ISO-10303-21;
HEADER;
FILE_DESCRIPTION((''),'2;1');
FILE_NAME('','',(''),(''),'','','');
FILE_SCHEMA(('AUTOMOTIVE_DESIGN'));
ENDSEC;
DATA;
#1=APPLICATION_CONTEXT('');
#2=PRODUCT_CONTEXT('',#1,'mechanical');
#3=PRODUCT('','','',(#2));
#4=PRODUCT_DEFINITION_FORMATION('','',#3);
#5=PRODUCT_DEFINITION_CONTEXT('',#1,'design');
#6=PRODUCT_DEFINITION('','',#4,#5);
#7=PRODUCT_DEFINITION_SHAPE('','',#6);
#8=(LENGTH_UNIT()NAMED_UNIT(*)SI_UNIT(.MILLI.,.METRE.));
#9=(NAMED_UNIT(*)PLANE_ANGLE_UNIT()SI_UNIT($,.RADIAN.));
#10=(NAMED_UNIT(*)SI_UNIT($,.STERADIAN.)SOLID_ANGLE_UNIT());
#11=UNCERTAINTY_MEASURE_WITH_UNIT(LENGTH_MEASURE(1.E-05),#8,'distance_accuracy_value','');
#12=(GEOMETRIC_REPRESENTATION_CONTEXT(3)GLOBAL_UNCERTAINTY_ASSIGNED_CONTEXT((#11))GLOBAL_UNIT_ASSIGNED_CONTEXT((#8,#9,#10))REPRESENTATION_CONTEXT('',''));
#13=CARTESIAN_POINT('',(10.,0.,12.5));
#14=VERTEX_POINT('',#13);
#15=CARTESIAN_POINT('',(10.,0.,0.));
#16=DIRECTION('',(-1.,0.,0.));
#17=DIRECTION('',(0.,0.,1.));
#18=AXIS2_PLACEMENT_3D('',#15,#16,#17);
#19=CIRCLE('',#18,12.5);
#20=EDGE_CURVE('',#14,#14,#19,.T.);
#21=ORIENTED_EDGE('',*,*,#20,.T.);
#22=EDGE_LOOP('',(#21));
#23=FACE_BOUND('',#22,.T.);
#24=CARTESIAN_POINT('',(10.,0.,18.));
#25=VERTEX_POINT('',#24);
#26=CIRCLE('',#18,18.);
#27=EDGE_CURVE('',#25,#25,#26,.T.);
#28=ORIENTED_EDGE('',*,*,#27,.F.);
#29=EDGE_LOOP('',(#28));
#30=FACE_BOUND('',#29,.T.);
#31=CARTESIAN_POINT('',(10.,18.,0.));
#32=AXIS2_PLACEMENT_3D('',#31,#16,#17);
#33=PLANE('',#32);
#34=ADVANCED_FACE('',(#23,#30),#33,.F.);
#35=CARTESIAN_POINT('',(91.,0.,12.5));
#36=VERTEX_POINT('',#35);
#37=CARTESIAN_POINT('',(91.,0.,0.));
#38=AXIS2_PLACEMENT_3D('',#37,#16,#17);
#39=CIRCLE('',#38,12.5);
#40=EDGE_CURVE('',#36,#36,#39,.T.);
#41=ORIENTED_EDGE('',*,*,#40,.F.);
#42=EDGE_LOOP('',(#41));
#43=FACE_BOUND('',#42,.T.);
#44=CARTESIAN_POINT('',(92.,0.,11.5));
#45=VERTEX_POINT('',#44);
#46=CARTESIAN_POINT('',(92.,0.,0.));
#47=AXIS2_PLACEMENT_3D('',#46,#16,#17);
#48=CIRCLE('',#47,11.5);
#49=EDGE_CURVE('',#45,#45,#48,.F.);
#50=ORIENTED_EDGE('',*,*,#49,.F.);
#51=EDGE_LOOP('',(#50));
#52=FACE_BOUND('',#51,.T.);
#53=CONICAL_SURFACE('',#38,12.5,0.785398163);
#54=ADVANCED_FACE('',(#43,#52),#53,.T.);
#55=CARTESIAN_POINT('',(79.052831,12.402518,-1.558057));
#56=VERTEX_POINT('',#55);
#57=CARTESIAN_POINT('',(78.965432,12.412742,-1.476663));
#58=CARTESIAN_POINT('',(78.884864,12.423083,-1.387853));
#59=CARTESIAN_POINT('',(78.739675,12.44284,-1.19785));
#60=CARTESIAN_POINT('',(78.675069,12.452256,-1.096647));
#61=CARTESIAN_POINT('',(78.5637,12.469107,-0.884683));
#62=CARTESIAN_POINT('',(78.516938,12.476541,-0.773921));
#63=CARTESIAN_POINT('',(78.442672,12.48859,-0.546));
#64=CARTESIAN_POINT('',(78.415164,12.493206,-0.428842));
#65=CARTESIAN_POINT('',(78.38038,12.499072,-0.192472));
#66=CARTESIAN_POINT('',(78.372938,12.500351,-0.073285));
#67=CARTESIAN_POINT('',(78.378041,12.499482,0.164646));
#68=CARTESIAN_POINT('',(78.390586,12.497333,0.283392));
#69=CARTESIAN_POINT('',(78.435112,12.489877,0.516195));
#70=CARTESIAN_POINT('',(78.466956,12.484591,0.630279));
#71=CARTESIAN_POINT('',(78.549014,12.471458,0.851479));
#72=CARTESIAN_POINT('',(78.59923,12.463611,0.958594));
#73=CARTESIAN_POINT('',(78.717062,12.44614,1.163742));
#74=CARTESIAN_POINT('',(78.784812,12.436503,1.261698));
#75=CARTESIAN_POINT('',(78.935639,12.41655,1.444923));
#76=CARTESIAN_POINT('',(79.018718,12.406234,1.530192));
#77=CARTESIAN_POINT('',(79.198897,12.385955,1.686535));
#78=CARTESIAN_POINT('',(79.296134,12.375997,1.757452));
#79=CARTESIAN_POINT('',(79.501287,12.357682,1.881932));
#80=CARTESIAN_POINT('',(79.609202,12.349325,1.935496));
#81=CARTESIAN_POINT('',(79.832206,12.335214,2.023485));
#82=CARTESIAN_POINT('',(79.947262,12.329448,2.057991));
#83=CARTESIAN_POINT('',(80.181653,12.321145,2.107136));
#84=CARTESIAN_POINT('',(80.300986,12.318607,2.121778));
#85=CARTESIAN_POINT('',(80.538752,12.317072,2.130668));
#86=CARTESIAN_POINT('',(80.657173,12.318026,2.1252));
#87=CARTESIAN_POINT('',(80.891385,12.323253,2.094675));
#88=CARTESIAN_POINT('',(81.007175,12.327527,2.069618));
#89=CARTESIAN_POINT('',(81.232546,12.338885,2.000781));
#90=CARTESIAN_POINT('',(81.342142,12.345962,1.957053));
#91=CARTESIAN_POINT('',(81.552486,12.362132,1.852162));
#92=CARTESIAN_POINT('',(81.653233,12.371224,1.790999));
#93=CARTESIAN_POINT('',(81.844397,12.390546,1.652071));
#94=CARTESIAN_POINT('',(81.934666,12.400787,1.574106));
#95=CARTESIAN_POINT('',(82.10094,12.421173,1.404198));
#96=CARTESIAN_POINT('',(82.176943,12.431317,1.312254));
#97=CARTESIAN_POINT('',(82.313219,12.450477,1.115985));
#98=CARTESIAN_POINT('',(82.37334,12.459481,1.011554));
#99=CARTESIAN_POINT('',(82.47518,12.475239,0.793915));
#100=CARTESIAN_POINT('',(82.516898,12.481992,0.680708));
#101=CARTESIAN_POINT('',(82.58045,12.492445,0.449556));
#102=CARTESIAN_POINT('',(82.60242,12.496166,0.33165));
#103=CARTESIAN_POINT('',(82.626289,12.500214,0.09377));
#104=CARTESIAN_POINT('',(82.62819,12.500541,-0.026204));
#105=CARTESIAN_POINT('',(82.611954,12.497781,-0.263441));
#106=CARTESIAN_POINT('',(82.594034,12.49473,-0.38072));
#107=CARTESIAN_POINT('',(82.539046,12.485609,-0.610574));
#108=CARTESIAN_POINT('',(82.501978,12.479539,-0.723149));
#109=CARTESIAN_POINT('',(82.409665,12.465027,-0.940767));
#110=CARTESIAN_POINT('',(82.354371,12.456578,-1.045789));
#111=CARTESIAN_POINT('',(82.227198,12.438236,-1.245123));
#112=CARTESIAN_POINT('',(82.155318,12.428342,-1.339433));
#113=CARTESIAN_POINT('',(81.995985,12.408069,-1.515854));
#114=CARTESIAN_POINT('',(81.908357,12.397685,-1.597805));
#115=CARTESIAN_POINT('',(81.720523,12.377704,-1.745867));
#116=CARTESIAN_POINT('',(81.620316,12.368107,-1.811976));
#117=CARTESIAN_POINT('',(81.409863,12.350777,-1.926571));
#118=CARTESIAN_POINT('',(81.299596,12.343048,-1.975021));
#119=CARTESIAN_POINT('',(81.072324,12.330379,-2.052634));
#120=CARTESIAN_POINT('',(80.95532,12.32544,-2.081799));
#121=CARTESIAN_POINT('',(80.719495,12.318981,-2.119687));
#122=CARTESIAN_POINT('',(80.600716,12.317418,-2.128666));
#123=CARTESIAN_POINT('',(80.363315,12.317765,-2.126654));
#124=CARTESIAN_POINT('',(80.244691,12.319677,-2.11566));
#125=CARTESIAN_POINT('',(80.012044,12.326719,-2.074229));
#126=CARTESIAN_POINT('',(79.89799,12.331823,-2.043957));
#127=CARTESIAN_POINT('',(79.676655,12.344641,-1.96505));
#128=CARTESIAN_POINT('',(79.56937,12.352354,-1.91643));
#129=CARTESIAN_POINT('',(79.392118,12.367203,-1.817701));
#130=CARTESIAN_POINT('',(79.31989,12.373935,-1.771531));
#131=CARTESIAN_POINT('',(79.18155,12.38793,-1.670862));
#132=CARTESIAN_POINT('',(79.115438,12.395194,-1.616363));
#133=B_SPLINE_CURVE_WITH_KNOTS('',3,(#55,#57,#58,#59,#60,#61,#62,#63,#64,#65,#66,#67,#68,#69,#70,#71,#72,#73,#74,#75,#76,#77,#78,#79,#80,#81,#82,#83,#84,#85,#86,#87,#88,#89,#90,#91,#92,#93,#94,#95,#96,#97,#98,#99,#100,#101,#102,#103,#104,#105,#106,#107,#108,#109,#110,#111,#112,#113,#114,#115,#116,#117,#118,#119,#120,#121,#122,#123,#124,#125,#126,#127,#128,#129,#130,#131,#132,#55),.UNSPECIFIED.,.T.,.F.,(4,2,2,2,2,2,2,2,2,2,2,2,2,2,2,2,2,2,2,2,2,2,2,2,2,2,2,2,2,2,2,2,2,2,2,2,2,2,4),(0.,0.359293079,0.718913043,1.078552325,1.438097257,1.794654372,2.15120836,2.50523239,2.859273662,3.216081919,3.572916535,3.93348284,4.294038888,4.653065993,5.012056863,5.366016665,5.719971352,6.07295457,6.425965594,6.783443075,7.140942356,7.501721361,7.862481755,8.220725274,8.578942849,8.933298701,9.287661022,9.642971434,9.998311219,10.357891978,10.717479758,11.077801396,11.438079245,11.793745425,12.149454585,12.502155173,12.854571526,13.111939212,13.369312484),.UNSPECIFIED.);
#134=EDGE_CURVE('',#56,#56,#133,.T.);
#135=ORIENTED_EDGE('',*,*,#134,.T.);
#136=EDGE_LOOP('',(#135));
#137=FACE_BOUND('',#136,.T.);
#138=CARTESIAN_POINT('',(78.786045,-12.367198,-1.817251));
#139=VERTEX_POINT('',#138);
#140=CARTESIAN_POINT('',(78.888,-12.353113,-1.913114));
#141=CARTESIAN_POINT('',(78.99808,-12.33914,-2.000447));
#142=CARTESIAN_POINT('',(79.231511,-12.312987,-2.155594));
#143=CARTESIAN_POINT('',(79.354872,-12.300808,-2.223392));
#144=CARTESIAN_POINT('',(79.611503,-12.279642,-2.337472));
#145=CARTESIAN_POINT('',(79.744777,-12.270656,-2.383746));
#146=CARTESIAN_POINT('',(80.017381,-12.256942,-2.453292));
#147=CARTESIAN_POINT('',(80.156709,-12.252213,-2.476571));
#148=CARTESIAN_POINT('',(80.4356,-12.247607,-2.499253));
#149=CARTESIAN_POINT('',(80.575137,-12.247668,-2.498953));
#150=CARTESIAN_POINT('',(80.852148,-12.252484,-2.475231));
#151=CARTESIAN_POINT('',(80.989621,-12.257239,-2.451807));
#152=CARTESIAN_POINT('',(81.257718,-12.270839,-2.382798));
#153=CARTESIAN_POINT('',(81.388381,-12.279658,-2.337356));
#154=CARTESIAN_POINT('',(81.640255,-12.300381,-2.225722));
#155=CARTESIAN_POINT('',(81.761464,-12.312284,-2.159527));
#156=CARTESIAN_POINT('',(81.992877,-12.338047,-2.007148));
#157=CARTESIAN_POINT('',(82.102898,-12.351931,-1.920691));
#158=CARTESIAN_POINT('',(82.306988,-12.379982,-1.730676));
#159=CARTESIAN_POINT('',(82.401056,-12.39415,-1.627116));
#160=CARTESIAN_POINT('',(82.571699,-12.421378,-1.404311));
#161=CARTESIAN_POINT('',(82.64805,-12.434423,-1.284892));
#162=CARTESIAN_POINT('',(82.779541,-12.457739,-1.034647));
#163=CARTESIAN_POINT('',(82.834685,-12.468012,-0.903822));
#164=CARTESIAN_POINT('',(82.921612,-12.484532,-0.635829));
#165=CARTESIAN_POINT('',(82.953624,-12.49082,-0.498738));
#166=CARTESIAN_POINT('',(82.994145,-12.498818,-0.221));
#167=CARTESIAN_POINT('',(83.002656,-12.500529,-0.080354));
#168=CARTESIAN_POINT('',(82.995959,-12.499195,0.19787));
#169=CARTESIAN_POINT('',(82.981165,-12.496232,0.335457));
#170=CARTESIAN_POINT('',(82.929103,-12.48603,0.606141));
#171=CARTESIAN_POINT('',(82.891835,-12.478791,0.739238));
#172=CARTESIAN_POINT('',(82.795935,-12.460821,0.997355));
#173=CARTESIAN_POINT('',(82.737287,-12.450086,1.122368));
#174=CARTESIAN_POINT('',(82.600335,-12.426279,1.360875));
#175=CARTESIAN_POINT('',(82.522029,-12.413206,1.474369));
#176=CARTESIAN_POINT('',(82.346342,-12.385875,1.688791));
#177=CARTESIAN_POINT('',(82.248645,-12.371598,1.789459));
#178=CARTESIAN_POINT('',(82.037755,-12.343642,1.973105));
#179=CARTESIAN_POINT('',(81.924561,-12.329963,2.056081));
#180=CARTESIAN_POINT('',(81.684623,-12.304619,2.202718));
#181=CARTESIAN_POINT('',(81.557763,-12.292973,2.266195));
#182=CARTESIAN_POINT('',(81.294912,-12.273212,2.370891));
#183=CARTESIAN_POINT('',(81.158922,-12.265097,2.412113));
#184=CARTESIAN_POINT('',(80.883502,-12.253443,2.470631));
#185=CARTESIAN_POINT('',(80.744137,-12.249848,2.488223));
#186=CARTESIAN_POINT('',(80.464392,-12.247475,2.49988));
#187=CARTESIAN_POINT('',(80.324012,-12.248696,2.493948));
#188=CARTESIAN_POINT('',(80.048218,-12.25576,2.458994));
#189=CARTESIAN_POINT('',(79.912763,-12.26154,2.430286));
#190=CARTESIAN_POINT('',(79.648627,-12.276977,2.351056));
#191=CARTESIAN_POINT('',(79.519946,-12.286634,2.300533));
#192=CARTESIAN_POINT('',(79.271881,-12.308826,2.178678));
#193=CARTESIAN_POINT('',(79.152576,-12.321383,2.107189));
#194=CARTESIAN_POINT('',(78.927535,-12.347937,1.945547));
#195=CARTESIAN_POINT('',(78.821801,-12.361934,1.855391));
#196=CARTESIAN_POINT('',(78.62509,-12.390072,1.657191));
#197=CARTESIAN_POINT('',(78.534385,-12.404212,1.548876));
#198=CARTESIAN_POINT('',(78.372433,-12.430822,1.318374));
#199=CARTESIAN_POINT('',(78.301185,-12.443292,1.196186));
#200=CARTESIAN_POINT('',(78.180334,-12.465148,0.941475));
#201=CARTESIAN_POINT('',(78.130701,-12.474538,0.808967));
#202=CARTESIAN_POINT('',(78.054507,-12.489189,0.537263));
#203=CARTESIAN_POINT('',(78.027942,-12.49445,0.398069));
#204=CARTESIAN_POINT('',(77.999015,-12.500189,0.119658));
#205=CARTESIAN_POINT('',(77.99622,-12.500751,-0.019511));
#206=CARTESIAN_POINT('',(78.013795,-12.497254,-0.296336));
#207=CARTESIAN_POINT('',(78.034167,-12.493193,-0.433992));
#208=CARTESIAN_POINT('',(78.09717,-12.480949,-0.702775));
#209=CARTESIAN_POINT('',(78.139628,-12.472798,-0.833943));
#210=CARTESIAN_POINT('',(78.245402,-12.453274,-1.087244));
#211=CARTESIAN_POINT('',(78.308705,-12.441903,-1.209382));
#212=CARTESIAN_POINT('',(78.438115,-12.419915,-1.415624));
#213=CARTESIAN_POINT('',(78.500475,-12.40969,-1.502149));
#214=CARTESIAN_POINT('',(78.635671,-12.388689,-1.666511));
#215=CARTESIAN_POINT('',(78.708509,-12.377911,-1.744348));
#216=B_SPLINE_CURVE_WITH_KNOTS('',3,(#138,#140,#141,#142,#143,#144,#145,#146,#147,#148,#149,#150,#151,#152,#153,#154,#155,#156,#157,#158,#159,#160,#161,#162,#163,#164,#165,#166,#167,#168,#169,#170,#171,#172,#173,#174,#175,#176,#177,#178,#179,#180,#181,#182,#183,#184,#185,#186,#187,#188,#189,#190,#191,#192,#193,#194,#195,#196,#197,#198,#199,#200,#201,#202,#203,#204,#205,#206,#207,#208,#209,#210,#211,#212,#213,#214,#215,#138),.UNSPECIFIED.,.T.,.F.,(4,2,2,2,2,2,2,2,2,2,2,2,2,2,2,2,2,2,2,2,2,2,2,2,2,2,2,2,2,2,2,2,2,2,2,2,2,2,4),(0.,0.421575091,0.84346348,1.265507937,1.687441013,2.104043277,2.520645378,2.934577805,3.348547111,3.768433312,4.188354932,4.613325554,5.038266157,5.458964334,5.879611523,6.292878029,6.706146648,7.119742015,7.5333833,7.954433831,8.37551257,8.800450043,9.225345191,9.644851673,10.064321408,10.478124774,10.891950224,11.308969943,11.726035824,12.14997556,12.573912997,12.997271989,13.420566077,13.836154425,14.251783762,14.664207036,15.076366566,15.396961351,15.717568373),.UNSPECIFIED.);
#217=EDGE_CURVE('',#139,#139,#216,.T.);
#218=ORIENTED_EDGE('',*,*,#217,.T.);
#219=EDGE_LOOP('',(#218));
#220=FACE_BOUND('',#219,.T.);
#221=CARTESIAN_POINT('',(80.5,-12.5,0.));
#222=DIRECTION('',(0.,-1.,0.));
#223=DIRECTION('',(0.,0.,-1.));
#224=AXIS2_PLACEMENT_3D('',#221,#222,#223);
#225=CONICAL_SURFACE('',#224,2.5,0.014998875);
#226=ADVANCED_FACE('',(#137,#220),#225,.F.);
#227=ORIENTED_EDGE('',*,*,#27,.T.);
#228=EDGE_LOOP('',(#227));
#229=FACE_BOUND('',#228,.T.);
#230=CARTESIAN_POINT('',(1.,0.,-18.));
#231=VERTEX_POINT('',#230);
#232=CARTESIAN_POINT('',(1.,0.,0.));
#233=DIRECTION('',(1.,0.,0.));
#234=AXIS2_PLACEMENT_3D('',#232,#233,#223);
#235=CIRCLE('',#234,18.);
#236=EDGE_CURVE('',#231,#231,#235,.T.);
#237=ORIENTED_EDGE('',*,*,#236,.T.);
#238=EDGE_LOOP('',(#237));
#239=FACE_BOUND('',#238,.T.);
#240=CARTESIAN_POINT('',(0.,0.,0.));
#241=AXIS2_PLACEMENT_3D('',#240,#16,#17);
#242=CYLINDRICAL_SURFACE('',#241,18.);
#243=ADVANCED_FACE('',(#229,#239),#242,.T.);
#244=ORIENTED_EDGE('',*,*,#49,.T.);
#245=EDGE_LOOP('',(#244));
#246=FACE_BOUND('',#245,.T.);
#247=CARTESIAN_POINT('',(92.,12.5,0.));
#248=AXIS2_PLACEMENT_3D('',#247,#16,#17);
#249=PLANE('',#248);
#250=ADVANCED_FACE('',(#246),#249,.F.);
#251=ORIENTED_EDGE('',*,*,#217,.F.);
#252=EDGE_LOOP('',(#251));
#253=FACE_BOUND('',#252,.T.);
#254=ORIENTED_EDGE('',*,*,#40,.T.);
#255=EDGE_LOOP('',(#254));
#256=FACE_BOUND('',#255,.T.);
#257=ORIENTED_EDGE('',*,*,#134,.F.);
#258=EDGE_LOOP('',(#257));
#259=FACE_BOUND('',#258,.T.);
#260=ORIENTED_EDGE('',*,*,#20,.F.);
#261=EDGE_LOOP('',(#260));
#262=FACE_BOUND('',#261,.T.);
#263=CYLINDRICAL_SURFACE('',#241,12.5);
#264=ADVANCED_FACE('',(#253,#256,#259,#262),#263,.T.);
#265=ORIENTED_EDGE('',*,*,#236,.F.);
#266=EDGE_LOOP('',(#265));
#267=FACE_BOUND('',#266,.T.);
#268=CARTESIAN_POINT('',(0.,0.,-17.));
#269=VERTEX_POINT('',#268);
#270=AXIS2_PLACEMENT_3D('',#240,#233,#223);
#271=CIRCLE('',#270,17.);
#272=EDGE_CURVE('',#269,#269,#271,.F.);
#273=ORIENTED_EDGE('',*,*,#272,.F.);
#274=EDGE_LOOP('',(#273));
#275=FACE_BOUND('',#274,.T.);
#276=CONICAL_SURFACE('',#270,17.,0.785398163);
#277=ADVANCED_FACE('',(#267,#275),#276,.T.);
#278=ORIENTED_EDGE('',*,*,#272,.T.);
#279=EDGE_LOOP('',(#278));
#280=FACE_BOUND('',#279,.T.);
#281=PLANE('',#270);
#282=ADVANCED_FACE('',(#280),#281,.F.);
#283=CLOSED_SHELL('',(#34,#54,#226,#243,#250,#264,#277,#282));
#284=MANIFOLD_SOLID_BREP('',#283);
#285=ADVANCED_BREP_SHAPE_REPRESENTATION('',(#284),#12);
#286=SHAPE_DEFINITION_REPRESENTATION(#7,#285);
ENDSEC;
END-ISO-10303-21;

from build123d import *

# Parameters (mm, degrees)
CHAMFER1_SIZE = 1


with BuildPart() as part:
    # Sketch1 → Revolve1 (revolve)
    with BuildSketch(Plane.XY, mode=Mode.PRIVATE) as revolve1_sk:
        Polygon((0, 0), (0, 18), (10, 18), (10, 12.5), (92, 12.5), (92, 0), align=None)
    revolve(revolve1_sk.sketch.rotate(Axis((0, 0, 0), (1, 0, 0)), 90), axis=Axis((0, 0, 0), (1, 0, 0)))

    # Sketch2 → Cut-Revolve1 (revolve, cut)
    with BuildSketch(Plane.XY, mode=Mode.PRIVATE) as cut_revolve1_sk:
        Polygon((83, -12.5), (82.625, 12.5), (80.5, 12.5), (80.5, -12.5), align=None)
    revolve(cut_revolve1_sk.sketch.rotate(Axis((80.5, 12.5, 0), (0, -1, 0)), 227.113167314), axis=Axis((80.5, 12.5, 0), (0, -1, 0)), mode=Mode.SUBTRACT)

    # Chamfer1
    chamfer1_edges = [part.edges().sort_by_distance(p)[0] for p in [
        (92, 0, -12.5),
        (0, 0, -18),
    ]]
    chamfer(chamfer1_edges, length=CHAMFER1_SIZE)


solid = part.part
